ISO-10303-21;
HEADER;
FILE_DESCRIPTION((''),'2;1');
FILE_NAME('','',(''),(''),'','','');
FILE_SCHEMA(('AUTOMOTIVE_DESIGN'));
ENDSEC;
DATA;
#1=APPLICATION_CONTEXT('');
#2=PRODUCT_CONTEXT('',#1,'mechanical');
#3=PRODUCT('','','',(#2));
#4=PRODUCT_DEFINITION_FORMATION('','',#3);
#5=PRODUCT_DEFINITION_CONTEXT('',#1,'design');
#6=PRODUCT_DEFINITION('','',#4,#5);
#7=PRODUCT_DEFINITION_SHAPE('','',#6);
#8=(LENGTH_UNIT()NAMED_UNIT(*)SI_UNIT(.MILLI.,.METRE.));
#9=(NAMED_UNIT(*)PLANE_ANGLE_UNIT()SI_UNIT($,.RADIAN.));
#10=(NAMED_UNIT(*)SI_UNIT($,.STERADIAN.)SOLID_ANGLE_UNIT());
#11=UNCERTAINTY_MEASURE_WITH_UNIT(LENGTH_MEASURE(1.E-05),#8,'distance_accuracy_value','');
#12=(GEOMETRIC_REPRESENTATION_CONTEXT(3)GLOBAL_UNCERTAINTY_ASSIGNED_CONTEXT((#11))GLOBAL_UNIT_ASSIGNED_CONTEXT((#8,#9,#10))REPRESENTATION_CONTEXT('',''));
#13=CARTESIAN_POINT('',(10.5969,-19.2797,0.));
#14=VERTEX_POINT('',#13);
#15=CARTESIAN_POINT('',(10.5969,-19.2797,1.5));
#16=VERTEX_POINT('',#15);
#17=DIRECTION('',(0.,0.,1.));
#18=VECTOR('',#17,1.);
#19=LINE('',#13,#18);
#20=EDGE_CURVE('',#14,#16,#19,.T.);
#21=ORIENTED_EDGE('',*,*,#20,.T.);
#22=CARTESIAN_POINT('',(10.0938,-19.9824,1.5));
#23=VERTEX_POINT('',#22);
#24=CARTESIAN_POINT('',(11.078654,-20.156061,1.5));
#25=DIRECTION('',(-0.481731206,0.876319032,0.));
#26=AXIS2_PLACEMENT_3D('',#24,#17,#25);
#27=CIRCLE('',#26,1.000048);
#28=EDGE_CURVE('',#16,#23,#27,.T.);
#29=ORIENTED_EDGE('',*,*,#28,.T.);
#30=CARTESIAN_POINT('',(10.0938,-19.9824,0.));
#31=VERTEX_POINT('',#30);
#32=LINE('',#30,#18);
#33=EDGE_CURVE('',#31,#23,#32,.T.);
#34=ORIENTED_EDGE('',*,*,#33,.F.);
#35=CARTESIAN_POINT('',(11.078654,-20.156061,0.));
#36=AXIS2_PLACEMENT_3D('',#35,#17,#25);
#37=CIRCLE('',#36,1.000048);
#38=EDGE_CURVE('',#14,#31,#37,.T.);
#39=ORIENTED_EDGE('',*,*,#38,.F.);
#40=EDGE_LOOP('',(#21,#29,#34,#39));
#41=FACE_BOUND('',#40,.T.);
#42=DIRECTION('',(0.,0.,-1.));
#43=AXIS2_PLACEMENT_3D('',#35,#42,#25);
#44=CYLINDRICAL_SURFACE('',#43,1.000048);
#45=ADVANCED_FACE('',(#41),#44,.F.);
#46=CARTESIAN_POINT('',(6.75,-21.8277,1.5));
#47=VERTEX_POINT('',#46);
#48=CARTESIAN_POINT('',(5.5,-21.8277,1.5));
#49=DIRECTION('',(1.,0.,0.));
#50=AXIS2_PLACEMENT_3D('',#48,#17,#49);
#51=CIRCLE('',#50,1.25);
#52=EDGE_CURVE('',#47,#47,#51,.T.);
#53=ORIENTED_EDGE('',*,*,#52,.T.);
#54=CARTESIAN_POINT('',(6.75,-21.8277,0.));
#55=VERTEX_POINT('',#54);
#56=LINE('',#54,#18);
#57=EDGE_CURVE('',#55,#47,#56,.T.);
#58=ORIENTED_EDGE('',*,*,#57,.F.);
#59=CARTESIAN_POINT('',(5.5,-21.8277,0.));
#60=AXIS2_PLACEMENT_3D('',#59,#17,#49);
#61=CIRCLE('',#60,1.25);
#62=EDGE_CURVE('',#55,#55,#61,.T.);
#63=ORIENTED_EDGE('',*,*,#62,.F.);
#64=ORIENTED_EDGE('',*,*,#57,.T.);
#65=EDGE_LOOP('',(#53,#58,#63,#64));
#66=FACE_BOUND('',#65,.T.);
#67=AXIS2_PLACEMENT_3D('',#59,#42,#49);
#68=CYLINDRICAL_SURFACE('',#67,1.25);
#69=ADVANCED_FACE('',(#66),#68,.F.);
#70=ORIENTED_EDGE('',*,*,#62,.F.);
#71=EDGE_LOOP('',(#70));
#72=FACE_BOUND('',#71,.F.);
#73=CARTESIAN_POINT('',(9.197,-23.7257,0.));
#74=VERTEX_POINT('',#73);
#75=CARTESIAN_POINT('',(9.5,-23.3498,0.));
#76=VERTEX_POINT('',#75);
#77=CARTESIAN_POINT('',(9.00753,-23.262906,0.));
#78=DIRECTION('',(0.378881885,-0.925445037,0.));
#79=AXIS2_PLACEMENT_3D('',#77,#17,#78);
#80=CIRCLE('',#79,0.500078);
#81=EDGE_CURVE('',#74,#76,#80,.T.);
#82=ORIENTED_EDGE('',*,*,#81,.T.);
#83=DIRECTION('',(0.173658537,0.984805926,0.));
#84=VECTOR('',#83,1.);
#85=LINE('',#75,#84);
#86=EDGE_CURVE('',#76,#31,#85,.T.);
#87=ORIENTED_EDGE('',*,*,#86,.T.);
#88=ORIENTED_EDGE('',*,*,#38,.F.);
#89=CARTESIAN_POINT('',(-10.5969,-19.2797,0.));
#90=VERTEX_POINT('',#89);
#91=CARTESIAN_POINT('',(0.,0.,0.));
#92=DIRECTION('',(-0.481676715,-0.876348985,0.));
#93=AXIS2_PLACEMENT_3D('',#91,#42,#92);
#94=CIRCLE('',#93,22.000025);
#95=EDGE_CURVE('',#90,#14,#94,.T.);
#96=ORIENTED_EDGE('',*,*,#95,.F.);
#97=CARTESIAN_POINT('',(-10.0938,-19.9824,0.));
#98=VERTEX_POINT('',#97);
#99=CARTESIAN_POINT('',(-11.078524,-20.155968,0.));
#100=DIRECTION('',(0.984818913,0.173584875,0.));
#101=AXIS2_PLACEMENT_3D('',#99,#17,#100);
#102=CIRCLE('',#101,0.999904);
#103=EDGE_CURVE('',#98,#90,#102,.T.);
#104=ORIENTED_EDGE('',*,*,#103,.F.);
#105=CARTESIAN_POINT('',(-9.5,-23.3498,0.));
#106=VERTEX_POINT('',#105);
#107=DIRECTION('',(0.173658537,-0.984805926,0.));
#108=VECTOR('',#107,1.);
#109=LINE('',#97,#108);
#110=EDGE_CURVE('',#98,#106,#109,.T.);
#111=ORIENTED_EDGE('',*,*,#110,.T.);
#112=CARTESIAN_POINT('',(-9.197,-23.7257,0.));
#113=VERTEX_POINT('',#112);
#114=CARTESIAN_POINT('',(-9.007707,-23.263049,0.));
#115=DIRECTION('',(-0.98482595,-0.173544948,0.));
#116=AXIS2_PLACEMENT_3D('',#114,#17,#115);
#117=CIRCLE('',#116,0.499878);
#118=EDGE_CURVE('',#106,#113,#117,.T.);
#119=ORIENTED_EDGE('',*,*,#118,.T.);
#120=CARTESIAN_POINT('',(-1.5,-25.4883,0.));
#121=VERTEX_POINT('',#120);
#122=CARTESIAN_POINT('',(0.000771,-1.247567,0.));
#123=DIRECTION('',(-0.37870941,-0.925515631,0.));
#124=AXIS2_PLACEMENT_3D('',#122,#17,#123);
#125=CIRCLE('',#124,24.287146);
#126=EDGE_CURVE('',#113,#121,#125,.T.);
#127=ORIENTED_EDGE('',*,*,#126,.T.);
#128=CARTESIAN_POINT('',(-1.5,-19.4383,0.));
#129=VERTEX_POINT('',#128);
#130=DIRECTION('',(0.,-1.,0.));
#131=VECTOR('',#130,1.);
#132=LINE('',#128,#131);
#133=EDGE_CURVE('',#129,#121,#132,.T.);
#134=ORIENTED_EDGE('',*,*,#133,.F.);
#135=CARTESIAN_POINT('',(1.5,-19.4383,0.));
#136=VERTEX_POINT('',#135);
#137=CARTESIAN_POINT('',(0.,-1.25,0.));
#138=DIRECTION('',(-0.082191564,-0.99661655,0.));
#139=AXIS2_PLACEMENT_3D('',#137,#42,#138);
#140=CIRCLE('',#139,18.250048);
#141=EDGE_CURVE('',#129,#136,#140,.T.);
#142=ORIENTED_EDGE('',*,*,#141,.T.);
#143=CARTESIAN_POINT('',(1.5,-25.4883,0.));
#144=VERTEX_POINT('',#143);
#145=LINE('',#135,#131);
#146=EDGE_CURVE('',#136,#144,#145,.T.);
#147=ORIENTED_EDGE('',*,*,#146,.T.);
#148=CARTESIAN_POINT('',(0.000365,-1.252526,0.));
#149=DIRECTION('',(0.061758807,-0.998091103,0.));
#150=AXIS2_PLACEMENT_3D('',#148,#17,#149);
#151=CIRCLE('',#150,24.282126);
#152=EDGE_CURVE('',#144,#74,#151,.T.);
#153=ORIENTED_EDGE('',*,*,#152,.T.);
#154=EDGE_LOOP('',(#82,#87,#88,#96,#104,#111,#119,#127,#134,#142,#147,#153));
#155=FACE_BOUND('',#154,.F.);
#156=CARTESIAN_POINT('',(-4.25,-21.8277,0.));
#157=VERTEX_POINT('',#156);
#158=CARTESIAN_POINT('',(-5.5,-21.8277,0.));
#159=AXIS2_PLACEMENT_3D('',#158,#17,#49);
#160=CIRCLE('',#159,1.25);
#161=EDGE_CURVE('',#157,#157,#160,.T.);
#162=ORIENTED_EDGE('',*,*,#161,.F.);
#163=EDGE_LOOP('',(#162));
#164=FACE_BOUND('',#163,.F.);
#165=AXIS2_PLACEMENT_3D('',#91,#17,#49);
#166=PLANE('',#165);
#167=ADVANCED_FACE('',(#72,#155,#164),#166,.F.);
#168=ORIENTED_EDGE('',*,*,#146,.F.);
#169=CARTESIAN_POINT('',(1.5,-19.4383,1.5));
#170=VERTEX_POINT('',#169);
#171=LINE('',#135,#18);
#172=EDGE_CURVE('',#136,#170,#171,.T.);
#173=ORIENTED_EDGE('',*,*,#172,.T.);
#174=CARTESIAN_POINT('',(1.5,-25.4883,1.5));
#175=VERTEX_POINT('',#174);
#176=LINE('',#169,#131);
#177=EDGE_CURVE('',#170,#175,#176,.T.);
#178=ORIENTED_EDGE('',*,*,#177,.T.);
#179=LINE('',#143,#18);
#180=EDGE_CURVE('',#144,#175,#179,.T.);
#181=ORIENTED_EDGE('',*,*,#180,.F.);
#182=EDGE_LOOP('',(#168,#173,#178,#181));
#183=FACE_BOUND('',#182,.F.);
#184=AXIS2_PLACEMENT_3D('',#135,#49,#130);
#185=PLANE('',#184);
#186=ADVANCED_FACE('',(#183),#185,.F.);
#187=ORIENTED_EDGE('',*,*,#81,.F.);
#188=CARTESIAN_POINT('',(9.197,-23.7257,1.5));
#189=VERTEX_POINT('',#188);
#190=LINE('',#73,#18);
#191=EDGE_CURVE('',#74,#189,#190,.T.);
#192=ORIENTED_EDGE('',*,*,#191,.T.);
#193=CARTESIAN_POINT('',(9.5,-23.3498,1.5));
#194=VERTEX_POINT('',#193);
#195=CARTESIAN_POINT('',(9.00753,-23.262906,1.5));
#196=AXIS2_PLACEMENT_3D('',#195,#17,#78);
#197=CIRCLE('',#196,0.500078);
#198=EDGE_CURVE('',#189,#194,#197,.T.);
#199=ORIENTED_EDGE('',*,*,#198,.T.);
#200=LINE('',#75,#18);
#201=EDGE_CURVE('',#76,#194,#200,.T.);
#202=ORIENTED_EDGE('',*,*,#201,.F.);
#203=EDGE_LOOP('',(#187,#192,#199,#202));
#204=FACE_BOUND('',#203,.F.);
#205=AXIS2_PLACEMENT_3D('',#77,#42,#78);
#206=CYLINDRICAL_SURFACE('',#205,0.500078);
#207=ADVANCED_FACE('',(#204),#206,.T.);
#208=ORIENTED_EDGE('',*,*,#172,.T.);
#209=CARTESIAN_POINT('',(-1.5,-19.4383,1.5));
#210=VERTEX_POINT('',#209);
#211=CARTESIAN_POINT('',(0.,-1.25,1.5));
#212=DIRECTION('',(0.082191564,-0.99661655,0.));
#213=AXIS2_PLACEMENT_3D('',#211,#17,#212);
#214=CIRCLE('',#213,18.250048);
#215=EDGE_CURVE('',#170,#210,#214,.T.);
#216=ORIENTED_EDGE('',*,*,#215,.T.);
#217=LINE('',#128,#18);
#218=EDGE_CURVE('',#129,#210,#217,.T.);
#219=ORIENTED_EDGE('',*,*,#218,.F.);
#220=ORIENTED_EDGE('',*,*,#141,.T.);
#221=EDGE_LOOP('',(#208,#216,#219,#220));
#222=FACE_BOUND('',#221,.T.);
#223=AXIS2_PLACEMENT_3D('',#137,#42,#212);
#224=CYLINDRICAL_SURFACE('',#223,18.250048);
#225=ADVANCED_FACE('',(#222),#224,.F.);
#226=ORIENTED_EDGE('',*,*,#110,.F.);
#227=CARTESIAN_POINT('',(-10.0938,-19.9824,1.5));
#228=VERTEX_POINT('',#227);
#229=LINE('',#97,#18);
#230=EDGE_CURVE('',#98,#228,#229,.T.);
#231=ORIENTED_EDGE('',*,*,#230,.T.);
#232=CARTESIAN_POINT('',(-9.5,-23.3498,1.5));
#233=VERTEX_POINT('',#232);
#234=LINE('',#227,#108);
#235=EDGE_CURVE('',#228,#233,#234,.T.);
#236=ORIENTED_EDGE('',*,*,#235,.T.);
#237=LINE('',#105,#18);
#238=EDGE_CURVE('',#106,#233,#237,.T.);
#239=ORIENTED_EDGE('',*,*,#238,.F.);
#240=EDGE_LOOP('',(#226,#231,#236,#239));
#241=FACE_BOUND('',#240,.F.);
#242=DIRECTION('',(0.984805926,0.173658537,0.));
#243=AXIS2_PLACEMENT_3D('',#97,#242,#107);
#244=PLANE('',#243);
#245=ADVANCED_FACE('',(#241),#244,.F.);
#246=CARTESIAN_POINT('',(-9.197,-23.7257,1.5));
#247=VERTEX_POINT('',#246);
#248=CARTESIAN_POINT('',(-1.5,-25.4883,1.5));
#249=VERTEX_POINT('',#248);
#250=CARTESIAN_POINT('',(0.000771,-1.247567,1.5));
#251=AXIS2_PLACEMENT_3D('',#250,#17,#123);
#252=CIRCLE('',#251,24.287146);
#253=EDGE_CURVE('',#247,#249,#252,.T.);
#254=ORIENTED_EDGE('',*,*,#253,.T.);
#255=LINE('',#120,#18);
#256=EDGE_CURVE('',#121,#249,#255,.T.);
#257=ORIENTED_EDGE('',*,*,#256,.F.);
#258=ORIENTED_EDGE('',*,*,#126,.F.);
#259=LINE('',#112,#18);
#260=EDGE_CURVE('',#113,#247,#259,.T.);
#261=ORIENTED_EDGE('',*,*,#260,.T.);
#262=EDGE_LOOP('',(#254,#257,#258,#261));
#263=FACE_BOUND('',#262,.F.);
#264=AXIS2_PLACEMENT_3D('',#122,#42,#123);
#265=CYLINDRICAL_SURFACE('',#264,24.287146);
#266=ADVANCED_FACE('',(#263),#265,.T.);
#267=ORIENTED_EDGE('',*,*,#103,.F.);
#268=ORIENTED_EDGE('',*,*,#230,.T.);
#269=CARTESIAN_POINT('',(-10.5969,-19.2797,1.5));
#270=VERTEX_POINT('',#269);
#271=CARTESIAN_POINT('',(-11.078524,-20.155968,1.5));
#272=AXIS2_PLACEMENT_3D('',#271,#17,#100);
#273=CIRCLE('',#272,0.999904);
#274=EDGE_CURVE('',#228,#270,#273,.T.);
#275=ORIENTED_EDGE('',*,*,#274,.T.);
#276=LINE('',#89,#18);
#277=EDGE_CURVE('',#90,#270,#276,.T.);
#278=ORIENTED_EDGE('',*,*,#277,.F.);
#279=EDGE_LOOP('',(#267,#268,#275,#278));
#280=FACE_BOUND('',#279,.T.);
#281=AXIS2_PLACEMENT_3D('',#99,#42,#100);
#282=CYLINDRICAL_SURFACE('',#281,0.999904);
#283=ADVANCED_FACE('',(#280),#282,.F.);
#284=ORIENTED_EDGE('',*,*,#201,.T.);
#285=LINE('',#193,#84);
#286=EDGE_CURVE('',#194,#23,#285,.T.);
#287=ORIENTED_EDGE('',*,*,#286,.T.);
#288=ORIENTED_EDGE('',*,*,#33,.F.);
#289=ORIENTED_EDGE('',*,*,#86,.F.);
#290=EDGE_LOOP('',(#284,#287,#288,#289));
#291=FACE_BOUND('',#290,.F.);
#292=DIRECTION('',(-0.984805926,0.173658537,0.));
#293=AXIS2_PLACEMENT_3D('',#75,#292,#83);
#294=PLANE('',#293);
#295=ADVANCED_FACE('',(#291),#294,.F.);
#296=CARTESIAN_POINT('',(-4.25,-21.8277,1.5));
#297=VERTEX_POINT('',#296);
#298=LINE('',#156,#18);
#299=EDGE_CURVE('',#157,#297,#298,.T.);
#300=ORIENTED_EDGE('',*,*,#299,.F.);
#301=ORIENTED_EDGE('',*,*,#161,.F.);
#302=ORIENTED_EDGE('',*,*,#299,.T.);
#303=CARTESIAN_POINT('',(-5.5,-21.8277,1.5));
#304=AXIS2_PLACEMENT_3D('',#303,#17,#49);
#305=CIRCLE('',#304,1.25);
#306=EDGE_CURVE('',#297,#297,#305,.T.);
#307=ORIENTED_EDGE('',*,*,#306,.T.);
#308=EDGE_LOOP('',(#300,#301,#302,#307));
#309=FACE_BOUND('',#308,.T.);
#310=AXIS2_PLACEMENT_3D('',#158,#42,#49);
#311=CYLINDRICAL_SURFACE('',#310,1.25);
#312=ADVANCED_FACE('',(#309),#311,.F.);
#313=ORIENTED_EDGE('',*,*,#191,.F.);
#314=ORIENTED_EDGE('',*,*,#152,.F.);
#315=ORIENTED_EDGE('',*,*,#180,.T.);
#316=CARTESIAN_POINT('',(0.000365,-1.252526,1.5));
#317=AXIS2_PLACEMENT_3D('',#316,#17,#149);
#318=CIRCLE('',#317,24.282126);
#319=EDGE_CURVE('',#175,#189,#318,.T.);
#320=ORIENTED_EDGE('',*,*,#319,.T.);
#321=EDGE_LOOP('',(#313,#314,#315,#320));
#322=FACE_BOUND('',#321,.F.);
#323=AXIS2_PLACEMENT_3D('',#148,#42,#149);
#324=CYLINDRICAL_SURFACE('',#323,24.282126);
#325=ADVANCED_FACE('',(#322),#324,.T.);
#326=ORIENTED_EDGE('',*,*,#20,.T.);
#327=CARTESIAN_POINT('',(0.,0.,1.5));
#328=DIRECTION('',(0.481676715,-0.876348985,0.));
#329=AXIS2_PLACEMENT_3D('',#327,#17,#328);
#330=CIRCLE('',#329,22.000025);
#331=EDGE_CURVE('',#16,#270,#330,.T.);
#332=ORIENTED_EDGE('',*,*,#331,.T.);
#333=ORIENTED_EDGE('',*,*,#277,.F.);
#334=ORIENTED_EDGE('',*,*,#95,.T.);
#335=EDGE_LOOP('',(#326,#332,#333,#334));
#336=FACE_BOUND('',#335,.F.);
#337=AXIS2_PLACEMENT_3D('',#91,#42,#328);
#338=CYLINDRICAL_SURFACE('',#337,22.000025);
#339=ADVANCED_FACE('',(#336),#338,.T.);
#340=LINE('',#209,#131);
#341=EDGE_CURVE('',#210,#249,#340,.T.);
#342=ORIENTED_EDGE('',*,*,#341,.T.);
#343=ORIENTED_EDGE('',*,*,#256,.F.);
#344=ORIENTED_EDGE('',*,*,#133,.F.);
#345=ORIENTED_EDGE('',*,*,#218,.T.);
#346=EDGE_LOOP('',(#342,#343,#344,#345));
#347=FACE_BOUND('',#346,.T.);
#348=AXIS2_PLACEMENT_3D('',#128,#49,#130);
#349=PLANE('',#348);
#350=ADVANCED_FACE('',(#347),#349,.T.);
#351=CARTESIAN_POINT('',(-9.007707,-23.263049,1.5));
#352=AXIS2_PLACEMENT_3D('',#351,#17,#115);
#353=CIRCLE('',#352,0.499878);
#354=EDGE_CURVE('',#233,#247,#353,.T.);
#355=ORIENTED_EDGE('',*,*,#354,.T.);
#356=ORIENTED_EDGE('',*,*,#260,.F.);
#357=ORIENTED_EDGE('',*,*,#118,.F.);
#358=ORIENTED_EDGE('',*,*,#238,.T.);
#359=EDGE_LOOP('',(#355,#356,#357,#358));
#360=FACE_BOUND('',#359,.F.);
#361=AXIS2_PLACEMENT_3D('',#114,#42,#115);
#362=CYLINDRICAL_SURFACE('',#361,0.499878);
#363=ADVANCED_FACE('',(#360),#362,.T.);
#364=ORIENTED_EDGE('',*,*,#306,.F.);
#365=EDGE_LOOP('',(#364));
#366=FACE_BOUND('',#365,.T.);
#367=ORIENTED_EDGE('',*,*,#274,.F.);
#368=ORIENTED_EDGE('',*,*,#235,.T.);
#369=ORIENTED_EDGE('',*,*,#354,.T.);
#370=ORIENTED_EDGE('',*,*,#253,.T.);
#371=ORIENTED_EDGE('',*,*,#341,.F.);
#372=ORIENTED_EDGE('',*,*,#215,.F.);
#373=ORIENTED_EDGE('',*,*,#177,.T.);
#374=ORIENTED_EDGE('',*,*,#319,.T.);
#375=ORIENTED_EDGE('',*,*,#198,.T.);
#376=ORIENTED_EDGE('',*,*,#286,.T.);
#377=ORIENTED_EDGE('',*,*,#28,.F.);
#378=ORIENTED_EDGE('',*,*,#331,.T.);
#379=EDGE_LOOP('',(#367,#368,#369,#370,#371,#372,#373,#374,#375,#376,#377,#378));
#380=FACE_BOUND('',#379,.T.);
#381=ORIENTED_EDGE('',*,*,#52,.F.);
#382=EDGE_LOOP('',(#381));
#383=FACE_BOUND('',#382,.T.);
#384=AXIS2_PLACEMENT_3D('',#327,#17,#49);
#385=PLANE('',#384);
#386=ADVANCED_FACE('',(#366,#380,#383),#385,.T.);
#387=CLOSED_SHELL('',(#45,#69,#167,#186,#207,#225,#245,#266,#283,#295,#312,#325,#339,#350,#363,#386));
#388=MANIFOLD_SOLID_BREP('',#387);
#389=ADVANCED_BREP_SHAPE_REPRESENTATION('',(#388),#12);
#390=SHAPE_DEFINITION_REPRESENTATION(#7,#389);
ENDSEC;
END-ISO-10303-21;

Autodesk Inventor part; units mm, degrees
ref_plane "YZ Plane" through (0, 0, 0) normal (1, 0, 0) x (0, 1, 0)
ref_plane "XZ Plane" through (0, 0, 0) normal (0, 1, 0) x (-1, 0, 0)
sketch "草图1" plane through (0, 0, 0) normal (0, 0, 1) x (1, 0, 0)
  arc A0 (1.5, -19.4383) -> (-1.5, -19.4383) centre (0, -1.25) ccw
  line L0 (0, 47.3657) -> (0, -51.0943) projected
  line L1 (-46.62, 0) -> (46.62, 0) projected
  line L2 (-1.5, -19.4383) -> (-1.5, -25.4883)
  line L3 (-1.5, -6.5402) -> (-1.5, -13.29) construction
  line L4 (-2.7947, 22) -> (3.6722, 22) construction
  arc A1 (10.5969, -19.2797) -> (-10.5969, -19.2797) centre (0, 0) ccw
  arc A2 (-9.197, -23.7257) -> (-1.5, -25.4883) centre (0, -1.25) ccw
  arc A3 (-9.5, -23.3498) -> (-9.197, -23.7257) centre (-9.0076, -23.263) ccw
  arc A4 (-10.0938, -19.9824) -> (-10.5969, -19.2797) centre (-11.0786, -20.156) ccw
  line L5 (1.5, -19.4383) -> (1.5, -25.4883)
  line L6 (1.5, -6.5402) -> (1.5, -13.29) construction
  arc A5 (1.5, -25.4883) -> (9.197, -23.7257) centre (0, -1.25) ccw
  arc A6 (9.197, -23.7257) -> (9.5, -23.3498) centre (9.0076, -23.263) ccw
  circle A7 centre (-5.5, -21.8277) radius 1.25
  circle A8 centre (5.5, -21.8277) radius 1.25
  line L7 (-10.0938, -19.9824) -> (-9.5, -23.3498)
  arc A9 (10.5969, -19.2797) -> (10.0938, -19.9824) centre (11.0786, -20.156) ccw
  line L8 (9.5, -23.3498) -> (10.0938, -19.9824)
  arc A10 (-2.7484, -22.3719) -> (3.183, -22.3108) centre (0, -1.25) ccw construction
  dimension "d0" = 36.5
  dimension "d1" = 6.05
  dimension "d6" = 1.5
  dimension "d8" = 1.25
  dimension "d9" = 0.5
  dimension "d10" = 1
  dimension "d12" = 2.5
  dimension "d13" = 2.5
  dimension "d43" = 10
  dimension "d44" = 21.3
  dimension "d45" = 11
  dimension "d46" = 19
  dimension "d47" = 5
extrude "轴承体" add sketch "草图1" along normal blind 1.5 contours A0 L1 A1 A9 L8 A6 A5 L5 | A0 L0 A1 L1 | A0 L1 A1 L0 | A0 L2 A2 A3 L7 A4 A1 L1
ref_plane "Work Plane1" through (0, -1.25, 0) normal (1, 0, 0) x (0, 0, 1)
equation "\"d0\" = ND"
equation "\"d1\" = SRB2"
equation "\"d6\" = 0.5 * B1"
equation "\"d8\" = C1"
equation "\"d9\" = R3"
equation "\"d10\" = R2"
equation "\"d12\" = SD5"
equation "\"d13\" = SD5"
equation "\"d44\" = R1"
equation "\"d45\" = B2"
equation "\"d46\" = L"
equation "\"d47\" = SRB1"
equation "\"d2\" = SD"
equation "\"SD\" = 1.5"
equation "\"SRB1\" = 5"
equation "\"ND\" = 36.5"
equation "\"SRB2\" = 6.05"
equation "\"SD5\" = 2.5"
equation "\"B1\" = 3"
equation "\"R2\" = 1"
equation "\"R3\" = 0.5"
equation "\"B2\" = 11"
equation "\"R1\" = 21.3"
equation "\"C1\" = 1.25"
equation "\"SD3\" = 36.5"
equation "\"WDMAX\" = 42"
equation "\"H1\" = 0"
properties part number "弹性挡圈GB 894.1-86 - 40" material "钢，软"
